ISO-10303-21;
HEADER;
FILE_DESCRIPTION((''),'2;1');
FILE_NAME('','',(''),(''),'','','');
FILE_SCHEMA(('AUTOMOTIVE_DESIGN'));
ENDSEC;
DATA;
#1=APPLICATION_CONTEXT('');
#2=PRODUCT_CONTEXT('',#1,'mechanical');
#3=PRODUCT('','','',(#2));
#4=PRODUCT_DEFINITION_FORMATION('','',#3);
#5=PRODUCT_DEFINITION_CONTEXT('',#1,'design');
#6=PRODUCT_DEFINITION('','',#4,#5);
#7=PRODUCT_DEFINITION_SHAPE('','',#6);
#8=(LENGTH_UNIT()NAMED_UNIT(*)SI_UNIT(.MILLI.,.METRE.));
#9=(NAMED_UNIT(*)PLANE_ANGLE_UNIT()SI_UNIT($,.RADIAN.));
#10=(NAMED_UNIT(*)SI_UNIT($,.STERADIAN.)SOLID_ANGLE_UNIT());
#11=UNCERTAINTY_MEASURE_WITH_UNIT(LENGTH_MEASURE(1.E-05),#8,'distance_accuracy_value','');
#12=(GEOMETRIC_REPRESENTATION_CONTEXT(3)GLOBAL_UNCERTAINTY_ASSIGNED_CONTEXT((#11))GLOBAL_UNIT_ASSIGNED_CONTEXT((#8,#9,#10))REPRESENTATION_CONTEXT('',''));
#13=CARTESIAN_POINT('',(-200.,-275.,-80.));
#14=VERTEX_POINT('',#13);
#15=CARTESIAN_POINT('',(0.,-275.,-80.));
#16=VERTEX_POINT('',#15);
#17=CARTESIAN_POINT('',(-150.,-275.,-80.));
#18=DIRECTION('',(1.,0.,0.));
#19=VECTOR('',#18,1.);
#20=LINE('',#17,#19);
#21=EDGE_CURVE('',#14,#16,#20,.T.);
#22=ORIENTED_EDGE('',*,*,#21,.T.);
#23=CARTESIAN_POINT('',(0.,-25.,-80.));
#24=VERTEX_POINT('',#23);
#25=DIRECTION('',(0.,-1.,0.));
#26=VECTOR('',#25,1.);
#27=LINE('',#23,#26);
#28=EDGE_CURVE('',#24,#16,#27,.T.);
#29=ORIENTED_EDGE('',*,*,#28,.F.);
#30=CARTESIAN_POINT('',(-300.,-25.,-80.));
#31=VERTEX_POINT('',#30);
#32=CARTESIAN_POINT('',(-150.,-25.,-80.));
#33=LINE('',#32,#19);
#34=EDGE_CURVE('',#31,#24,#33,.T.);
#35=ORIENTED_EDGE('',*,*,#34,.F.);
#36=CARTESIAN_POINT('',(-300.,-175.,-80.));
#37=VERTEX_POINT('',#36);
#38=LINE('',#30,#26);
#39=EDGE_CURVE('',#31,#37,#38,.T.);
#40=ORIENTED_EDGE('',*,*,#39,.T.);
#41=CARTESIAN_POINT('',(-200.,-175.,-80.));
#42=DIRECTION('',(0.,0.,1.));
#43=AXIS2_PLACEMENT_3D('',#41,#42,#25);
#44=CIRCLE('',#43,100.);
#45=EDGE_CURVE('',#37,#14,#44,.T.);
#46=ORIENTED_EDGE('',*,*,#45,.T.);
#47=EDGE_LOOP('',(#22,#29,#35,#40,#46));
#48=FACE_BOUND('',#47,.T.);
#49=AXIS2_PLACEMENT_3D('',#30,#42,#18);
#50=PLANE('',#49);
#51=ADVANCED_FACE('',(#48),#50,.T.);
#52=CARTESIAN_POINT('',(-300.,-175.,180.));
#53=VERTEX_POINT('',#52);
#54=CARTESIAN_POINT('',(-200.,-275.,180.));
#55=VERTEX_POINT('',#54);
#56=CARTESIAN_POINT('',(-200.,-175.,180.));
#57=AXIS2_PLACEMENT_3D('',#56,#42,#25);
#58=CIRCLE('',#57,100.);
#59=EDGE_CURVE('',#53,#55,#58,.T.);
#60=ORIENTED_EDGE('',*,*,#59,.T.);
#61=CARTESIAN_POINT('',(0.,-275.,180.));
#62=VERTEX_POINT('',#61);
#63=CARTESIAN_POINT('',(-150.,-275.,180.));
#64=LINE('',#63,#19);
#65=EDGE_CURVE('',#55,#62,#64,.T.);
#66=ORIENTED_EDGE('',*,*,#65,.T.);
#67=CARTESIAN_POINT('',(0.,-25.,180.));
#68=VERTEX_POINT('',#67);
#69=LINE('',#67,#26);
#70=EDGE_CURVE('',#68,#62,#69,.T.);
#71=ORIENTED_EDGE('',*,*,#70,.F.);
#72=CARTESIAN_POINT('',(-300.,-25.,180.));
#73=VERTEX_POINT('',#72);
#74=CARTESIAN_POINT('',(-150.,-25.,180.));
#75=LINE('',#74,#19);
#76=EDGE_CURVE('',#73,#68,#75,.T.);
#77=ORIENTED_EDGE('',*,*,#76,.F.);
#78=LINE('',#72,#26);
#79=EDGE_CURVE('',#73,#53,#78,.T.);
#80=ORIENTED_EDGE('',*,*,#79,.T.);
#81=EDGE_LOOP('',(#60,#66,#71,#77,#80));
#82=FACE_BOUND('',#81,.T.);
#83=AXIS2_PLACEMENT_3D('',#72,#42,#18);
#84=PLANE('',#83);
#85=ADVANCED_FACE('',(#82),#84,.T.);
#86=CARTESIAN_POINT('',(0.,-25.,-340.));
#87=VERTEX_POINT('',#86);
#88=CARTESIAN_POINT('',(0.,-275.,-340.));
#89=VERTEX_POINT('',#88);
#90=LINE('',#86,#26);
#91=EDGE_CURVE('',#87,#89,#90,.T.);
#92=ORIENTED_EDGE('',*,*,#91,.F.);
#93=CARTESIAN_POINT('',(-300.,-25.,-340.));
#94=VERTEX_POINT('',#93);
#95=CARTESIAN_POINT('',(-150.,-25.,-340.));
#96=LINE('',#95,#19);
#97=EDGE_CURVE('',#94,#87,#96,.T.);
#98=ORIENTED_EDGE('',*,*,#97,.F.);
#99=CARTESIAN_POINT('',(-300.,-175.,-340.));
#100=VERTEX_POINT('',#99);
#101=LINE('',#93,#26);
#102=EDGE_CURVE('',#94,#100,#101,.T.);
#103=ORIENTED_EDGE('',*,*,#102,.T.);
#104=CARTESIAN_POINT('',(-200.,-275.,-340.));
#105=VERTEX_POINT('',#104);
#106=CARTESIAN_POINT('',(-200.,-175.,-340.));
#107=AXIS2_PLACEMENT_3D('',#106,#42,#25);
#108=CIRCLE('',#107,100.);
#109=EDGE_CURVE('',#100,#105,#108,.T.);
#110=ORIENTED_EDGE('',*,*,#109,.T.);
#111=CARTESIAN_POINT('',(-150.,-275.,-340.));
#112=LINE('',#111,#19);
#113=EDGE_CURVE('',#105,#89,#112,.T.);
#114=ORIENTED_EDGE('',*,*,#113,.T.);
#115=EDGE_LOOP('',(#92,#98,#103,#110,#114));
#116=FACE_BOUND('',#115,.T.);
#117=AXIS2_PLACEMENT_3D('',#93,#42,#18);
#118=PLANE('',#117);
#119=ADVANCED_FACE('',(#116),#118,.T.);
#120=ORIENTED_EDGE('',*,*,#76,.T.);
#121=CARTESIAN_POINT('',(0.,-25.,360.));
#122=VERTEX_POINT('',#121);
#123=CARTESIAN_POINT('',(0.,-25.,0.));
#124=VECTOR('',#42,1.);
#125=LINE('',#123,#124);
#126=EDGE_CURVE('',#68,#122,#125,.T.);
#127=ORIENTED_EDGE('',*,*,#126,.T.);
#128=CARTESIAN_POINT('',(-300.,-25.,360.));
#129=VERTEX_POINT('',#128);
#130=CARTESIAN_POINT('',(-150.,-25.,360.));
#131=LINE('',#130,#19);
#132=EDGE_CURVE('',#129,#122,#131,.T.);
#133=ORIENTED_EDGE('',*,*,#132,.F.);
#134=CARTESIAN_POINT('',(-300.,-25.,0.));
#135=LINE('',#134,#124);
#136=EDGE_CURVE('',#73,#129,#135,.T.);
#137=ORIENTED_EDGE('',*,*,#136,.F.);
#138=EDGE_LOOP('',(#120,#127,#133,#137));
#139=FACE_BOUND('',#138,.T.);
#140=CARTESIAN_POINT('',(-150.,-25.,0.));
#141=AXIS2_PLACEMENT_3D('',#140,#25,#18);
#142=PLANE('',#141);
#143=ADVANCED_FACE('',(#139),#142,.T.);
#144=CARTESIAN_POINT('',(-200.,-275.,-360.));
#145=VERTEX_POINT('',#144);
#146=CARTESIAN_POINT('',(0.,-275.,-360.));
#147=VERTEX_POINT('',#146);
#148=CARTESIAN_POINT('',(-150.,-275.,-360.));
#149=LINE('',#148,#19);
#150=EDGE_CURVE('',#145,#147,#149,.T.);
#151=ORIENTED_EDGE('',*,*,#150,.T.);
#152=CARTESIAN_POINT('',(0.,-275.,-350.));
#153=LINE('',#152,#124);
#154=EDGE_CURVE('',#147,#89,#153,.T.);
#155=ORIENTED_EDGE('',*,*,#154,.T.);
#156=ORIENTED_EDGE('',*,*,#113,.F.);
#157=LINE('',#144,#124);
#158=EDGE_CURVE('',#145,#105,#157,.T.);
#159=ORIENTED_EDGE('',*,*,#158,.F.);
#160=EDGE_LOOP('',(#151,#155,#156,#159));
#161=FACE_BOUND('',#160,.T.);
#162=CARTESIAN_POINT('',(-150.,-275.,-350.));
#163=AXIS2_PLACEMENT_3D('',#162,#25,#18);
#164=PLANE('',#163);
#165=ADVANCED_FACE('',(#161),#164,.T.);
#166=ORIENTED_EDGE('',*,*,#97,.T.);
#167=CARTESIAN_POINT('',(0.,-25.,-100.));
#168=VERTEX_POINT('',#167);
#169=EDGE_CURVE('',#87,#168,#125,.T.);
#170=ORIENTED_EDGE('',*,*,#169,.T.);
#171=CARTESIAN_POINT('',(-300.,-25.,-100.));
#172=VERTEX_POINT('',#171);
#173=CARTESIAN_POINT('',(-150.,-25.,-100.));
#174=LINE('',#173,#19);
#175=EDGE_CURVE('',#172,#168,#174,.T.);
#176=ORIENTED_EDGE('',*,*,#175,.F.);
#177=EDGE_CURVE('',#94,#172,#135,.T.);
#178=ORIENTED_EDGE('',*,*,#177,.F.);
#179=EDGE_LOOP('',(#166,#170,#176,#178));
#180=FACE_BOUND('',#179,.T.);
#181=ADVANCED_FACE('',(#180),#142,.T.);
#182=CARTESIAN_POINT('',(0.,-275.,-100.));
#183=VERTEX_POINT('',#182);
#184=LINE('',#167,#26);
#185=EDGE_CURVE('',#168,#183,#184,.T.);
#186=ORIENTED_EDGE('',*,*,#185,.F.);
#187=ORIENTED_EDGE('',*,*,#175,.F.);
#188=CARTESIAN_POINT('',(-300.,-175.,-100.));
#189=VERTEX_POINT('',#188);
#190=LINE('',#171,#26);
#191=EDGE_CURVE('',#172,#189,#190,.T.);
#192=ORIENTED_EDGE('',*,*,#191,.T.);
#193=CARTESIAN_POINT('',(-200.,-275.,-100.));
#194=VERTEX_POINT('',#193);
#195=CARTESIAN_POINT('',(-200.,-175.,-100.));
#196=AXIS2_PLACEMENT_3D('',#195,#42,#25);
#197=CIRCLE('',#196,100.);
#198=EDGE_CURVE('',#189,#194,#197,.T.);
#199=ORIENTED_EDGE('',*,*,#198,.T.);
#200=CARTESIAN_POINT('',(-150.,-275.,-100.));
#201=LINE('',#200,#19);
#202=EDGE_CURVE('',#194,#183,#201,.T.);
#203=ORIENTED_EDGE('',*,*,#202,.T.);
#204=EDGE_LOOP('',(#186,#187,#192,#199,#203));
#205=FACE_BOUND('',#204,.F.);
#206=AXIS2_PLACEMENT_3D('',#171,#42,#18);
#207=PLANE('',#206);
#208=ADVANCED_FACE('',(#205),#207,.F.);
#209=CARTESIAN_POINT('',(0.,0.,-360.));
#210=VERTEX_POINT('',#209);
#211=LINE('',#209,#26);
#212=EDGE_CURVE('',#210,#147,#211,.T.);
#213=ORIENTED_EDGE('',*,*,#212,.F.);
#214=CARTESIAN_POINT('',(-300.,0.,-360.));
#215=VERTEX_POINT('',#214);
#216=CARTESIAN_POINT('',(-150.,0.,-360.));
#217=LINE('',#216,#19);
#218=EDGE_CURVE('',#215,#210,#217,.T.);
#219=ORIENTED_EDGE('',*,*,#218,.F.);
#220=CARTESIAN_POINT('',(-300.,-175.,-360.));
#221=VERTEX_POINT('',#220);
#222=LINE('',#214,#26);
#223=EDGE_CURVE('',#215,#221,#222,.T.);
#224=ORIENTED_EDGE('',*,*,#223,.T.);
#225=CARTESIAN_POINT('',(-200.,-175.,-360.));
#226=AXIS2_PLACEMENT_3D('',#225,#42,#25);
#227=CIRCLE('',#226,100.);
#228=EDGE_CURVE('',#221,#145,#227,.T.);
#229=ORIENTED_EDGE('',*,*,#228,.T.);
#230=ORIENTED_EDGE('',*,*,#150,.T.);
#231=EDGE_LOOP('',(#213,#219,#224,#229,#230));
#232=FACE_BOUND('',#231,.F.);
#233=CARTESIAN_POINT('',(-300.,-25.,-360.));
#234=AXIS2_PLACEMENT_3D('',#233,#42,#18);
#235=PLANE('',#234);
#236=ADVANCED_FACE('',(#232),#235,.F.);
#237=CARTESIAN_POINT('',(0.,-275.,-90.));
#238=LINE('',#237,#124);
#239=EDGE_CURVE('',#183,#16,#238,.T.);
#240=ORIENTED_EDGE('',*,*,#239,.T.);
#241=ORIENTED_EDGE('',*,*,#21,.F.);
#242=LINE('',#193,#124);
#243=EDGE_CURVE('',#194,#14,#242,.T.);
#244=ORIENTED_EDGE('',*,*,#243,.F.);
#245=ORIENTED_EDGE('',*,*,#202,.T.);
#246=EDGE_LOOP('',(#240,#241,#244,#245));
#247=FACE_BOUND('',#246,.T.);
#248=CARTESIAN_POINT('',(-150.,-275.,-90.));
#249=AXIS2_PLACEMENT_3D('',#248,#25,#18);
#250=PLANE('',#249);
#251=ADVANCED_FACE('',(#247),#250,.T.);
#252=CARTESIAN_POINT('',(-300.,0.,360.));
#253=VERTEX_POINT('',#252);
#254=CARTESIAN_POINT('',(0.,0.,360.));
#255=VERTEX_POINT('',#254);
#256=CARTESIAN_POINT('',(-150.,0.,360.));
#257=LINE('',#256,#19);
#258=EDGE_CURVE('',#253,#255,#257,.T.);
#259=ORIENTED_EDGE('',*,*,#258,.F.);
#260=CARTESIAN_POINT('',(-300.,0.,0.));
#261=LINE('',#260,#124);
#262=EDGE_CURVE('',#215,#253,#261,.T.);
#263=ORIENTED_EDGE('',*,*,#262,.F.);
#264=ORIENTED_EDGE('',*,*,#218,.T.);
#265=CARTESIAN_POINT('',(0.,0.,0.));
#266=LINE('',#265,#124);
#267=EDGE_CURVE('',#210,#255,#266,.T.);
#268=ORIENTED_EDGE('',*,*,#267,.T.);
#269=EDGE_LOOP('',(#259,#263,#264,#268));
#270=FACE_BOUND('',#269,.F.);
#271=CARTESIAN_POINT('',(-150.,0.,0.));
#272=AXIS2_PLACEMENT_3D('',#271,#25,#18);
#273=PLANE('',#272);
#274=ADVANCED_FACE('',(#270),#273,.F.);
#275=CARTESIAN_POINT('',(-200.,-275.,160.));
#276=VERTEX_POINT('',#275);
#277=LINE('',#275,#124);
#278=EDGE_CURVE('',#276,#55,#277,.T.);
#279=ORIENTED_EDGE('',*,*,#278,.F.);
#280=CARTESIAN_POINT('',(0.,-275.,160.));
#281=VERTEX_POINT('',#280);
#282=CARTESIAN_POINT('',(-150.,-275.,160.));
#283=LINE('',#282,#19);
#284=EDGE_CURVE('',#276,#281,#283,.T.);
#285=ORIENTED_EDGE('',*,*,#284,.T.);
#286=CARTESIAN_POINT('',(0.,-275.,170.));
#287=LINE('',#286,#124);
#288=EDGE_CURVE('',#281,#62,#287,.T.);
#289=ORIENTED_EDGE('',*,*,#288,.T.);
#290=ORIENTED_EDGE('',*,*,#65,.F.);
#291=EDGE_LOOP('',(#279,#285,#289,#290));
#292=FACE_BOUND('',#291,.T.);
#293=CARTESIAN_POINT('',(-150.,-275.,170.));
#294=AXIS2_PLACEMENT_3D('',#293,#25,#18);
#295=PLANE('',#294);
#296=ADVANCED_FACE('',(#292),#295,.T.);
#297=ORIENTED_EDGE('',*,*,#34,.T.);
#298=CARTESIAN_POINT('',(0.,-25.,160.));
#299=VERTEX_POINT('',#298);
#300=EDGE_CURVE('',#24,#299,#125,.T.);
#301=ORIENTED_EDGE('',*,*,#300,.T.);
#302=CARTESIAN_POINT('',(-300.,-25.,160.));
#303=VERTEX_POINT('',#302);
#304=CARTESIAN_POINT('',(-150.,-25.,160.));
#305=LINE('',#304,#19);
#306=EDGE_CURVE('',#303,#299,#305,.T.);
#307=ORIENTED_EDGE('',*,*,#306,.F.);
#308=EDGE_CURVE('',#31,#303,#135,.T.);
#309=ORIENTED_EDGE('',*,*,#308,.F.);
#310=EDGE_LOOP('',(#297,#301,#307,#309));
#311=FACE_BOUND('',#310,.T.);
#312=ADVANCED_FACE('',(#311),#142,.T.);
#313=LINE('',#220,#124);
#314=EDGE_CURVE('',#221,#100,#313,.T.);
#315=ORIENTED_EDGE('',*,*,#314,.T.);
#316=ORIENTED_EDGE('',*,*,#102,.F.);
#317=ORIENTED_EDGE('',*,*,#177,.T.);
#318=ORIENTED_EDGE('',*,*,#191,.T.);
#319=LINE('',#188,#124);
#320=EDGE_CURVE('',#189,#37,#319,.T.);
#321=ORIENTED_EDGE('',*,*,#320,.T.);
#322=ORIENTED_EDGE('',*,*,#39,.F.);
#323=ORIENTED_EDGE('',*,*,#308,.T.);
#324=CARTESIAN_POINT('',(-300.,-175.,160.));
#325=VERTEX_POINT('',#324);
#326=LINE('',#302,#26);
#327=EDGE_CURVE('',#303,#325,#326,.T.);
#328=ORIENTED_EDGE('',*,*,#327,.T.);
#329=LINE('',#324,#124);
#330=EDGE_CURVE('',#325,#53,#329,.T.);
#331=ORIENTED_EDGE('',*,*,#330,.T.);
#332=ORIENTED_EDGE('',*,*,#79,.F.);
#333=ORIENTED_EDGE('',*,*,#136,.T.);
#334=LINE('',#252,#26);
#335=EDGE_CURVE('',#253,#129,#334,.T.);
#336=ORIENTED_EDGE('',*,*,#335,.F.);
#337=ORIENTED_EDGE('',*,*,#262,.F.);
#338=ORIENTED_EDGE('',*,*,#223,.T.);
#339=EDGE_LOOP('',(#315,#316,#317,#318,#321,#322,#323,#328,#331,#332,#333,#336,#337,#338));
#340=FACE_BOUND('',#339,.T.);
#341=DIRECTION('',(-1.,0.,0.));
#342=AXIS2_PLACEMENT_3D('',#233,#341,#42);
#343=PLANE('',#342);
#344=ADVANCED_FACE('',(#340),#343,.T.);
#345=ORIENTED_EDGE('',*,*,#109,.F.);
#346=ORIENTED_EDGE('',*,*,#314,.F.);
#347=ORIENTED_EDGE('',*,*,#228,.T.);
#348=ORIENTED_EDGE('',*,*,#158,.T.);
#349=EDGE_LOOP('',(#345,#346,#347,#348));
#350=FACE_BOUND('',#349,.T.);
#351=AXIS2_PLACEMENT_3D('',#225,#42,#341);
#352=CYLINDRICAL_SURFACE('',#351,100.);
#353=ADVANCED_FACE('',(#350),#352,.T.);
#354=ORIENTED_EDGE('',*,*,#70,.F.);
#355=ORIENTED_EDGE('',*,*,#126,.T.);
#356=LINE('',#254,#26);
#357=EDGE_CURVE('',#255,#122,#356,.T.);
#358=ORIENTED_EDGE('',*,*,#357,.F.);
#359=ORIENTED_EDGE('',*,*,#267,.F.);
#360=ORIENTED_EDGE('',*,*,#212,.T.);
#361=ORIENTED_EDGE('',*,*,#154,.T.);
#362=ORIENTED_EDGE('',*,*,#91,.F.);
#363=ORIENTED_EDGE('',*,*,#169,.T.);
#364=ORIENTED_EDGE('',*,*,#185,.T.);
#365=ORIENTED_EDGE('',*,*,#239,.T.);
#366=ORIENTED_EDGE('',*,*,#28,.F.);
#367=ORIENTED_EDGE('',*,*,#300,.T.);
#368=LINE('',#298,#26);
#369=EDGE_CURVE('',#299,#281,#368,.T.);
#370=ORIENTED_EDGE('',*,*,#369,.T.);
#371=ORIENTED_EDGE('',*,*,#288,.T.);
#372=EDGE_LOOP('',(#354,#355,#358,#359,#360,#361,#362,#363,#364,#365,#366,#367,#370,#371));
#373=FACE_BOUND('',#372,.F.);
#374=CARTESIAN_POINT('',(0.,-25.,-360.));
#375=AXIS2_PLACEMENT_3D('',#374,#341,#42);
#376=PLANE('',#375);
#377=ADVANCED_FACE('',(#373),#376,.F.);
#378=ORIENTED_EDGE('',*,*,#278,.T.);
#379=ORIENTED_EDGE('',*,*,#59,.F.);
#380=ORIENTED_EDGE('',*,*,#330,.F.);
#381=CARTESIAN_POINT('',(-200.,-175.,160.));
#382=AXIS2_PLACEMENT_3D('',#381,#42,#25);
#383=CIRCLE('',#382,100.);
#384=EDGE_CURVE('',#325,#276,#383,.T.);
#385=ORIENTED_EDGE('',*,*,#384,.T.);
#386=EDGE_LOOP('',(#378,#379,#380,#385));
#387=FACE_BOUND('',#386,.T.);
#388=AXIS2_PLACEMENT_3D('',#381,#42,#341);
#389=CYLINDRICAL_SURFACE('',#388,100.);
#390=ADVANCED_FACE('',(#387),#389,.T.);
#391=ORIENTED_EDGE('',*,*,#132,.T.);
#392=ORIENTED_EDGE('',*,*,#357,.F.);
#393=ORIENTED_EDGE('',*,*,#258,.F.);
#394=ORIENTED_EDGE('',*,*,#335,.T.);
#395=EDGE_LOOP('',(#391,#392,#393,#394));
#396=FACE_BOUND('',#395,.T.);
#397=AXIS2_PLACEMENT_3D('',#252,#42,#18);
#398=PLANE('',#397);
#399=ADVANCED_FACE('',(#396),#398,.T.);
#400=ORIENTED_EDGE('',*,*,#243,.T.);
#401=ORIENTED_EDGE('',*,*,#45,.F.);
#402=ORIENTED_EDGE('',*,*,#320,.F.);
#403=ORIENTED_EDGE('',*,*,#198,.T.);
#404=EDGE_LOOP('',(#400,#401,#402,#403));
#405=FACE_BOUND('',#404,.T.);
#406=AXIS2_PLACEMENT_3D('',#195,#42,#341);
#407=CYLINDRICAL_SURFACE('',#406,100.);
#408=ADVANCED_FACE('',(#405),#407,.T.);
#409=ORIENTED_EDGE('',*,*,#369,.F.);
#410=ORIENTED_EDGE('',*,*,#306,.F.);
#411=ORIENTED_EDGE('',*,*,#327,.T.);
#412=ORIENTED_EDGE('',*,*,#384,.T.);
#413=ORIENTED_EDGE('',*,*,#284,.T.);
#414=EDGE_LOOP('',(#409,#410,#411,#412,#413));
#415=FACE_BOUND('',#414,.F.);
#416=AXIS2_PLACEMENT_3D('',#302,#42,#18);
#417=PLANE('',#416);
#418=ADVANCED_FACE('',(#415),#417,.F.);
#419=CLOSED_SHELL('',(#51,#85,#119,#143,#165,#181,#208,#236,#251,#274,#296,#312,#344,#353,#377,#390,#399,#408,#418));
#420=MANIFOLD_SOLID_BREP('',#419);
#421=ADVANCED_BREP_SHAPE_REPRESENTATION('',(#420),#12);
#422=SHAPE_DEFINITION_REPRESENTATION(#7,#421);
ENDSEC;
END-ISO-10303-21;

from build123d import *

# Parameters (mm, degrees)
F0_W     = 300
F0_H     = 720
F1_DEPTH = 25
F2_W     = 300
F2_H     = 20
F3_DEPTH = 250
F4_R     = 100
F5_W     = 300
F5_H     = 20
F6_DEPTH = 250
F7_R     = 100


with BuildPart() as f1:
    # F0 (on Front) → F1 (new body)
    with BuildSketch(Plane.XZ):
        with Locations((-150, 0)):
            Rectangle(F0_W, F0_H)
    extrude(amount=F1_DEPTH)

    # F2 (on face) → F3 (join)
    with BuildSketch(Plane.XZ.offset(25)):
        with Locations((-150, -350)):
            Rectangle(F2_W, F2_H)
    extrude(amount=F3_DEPTH)

    # F4
    f4_edges = [f1.edges().sort_by_distance(p)[0] for p in [
        (-300, -275, -350),
    ]]
    fillet(f4_edges, radius=F4_R)

    # F5 (on face) → F6 (join)
    with BuildSketch(Plane.XZ.offset(25)):
        with Locations((-150, -90)):
            Rectangle(F5_W, F5_H)
        with Locations((-150, 170)):
            Rectangle(F5_W, F5_H)
    extrude(amount=F6_DEPTH)

    # F7
    f7_edges = [f1.edges().sort_by_distance(p)[0] for p in [
        (-300, -275, 170),
        (-300, -275, -90),
    ]]
    fillet(f7_edges, radius=F7_R)


solid = f1.part
